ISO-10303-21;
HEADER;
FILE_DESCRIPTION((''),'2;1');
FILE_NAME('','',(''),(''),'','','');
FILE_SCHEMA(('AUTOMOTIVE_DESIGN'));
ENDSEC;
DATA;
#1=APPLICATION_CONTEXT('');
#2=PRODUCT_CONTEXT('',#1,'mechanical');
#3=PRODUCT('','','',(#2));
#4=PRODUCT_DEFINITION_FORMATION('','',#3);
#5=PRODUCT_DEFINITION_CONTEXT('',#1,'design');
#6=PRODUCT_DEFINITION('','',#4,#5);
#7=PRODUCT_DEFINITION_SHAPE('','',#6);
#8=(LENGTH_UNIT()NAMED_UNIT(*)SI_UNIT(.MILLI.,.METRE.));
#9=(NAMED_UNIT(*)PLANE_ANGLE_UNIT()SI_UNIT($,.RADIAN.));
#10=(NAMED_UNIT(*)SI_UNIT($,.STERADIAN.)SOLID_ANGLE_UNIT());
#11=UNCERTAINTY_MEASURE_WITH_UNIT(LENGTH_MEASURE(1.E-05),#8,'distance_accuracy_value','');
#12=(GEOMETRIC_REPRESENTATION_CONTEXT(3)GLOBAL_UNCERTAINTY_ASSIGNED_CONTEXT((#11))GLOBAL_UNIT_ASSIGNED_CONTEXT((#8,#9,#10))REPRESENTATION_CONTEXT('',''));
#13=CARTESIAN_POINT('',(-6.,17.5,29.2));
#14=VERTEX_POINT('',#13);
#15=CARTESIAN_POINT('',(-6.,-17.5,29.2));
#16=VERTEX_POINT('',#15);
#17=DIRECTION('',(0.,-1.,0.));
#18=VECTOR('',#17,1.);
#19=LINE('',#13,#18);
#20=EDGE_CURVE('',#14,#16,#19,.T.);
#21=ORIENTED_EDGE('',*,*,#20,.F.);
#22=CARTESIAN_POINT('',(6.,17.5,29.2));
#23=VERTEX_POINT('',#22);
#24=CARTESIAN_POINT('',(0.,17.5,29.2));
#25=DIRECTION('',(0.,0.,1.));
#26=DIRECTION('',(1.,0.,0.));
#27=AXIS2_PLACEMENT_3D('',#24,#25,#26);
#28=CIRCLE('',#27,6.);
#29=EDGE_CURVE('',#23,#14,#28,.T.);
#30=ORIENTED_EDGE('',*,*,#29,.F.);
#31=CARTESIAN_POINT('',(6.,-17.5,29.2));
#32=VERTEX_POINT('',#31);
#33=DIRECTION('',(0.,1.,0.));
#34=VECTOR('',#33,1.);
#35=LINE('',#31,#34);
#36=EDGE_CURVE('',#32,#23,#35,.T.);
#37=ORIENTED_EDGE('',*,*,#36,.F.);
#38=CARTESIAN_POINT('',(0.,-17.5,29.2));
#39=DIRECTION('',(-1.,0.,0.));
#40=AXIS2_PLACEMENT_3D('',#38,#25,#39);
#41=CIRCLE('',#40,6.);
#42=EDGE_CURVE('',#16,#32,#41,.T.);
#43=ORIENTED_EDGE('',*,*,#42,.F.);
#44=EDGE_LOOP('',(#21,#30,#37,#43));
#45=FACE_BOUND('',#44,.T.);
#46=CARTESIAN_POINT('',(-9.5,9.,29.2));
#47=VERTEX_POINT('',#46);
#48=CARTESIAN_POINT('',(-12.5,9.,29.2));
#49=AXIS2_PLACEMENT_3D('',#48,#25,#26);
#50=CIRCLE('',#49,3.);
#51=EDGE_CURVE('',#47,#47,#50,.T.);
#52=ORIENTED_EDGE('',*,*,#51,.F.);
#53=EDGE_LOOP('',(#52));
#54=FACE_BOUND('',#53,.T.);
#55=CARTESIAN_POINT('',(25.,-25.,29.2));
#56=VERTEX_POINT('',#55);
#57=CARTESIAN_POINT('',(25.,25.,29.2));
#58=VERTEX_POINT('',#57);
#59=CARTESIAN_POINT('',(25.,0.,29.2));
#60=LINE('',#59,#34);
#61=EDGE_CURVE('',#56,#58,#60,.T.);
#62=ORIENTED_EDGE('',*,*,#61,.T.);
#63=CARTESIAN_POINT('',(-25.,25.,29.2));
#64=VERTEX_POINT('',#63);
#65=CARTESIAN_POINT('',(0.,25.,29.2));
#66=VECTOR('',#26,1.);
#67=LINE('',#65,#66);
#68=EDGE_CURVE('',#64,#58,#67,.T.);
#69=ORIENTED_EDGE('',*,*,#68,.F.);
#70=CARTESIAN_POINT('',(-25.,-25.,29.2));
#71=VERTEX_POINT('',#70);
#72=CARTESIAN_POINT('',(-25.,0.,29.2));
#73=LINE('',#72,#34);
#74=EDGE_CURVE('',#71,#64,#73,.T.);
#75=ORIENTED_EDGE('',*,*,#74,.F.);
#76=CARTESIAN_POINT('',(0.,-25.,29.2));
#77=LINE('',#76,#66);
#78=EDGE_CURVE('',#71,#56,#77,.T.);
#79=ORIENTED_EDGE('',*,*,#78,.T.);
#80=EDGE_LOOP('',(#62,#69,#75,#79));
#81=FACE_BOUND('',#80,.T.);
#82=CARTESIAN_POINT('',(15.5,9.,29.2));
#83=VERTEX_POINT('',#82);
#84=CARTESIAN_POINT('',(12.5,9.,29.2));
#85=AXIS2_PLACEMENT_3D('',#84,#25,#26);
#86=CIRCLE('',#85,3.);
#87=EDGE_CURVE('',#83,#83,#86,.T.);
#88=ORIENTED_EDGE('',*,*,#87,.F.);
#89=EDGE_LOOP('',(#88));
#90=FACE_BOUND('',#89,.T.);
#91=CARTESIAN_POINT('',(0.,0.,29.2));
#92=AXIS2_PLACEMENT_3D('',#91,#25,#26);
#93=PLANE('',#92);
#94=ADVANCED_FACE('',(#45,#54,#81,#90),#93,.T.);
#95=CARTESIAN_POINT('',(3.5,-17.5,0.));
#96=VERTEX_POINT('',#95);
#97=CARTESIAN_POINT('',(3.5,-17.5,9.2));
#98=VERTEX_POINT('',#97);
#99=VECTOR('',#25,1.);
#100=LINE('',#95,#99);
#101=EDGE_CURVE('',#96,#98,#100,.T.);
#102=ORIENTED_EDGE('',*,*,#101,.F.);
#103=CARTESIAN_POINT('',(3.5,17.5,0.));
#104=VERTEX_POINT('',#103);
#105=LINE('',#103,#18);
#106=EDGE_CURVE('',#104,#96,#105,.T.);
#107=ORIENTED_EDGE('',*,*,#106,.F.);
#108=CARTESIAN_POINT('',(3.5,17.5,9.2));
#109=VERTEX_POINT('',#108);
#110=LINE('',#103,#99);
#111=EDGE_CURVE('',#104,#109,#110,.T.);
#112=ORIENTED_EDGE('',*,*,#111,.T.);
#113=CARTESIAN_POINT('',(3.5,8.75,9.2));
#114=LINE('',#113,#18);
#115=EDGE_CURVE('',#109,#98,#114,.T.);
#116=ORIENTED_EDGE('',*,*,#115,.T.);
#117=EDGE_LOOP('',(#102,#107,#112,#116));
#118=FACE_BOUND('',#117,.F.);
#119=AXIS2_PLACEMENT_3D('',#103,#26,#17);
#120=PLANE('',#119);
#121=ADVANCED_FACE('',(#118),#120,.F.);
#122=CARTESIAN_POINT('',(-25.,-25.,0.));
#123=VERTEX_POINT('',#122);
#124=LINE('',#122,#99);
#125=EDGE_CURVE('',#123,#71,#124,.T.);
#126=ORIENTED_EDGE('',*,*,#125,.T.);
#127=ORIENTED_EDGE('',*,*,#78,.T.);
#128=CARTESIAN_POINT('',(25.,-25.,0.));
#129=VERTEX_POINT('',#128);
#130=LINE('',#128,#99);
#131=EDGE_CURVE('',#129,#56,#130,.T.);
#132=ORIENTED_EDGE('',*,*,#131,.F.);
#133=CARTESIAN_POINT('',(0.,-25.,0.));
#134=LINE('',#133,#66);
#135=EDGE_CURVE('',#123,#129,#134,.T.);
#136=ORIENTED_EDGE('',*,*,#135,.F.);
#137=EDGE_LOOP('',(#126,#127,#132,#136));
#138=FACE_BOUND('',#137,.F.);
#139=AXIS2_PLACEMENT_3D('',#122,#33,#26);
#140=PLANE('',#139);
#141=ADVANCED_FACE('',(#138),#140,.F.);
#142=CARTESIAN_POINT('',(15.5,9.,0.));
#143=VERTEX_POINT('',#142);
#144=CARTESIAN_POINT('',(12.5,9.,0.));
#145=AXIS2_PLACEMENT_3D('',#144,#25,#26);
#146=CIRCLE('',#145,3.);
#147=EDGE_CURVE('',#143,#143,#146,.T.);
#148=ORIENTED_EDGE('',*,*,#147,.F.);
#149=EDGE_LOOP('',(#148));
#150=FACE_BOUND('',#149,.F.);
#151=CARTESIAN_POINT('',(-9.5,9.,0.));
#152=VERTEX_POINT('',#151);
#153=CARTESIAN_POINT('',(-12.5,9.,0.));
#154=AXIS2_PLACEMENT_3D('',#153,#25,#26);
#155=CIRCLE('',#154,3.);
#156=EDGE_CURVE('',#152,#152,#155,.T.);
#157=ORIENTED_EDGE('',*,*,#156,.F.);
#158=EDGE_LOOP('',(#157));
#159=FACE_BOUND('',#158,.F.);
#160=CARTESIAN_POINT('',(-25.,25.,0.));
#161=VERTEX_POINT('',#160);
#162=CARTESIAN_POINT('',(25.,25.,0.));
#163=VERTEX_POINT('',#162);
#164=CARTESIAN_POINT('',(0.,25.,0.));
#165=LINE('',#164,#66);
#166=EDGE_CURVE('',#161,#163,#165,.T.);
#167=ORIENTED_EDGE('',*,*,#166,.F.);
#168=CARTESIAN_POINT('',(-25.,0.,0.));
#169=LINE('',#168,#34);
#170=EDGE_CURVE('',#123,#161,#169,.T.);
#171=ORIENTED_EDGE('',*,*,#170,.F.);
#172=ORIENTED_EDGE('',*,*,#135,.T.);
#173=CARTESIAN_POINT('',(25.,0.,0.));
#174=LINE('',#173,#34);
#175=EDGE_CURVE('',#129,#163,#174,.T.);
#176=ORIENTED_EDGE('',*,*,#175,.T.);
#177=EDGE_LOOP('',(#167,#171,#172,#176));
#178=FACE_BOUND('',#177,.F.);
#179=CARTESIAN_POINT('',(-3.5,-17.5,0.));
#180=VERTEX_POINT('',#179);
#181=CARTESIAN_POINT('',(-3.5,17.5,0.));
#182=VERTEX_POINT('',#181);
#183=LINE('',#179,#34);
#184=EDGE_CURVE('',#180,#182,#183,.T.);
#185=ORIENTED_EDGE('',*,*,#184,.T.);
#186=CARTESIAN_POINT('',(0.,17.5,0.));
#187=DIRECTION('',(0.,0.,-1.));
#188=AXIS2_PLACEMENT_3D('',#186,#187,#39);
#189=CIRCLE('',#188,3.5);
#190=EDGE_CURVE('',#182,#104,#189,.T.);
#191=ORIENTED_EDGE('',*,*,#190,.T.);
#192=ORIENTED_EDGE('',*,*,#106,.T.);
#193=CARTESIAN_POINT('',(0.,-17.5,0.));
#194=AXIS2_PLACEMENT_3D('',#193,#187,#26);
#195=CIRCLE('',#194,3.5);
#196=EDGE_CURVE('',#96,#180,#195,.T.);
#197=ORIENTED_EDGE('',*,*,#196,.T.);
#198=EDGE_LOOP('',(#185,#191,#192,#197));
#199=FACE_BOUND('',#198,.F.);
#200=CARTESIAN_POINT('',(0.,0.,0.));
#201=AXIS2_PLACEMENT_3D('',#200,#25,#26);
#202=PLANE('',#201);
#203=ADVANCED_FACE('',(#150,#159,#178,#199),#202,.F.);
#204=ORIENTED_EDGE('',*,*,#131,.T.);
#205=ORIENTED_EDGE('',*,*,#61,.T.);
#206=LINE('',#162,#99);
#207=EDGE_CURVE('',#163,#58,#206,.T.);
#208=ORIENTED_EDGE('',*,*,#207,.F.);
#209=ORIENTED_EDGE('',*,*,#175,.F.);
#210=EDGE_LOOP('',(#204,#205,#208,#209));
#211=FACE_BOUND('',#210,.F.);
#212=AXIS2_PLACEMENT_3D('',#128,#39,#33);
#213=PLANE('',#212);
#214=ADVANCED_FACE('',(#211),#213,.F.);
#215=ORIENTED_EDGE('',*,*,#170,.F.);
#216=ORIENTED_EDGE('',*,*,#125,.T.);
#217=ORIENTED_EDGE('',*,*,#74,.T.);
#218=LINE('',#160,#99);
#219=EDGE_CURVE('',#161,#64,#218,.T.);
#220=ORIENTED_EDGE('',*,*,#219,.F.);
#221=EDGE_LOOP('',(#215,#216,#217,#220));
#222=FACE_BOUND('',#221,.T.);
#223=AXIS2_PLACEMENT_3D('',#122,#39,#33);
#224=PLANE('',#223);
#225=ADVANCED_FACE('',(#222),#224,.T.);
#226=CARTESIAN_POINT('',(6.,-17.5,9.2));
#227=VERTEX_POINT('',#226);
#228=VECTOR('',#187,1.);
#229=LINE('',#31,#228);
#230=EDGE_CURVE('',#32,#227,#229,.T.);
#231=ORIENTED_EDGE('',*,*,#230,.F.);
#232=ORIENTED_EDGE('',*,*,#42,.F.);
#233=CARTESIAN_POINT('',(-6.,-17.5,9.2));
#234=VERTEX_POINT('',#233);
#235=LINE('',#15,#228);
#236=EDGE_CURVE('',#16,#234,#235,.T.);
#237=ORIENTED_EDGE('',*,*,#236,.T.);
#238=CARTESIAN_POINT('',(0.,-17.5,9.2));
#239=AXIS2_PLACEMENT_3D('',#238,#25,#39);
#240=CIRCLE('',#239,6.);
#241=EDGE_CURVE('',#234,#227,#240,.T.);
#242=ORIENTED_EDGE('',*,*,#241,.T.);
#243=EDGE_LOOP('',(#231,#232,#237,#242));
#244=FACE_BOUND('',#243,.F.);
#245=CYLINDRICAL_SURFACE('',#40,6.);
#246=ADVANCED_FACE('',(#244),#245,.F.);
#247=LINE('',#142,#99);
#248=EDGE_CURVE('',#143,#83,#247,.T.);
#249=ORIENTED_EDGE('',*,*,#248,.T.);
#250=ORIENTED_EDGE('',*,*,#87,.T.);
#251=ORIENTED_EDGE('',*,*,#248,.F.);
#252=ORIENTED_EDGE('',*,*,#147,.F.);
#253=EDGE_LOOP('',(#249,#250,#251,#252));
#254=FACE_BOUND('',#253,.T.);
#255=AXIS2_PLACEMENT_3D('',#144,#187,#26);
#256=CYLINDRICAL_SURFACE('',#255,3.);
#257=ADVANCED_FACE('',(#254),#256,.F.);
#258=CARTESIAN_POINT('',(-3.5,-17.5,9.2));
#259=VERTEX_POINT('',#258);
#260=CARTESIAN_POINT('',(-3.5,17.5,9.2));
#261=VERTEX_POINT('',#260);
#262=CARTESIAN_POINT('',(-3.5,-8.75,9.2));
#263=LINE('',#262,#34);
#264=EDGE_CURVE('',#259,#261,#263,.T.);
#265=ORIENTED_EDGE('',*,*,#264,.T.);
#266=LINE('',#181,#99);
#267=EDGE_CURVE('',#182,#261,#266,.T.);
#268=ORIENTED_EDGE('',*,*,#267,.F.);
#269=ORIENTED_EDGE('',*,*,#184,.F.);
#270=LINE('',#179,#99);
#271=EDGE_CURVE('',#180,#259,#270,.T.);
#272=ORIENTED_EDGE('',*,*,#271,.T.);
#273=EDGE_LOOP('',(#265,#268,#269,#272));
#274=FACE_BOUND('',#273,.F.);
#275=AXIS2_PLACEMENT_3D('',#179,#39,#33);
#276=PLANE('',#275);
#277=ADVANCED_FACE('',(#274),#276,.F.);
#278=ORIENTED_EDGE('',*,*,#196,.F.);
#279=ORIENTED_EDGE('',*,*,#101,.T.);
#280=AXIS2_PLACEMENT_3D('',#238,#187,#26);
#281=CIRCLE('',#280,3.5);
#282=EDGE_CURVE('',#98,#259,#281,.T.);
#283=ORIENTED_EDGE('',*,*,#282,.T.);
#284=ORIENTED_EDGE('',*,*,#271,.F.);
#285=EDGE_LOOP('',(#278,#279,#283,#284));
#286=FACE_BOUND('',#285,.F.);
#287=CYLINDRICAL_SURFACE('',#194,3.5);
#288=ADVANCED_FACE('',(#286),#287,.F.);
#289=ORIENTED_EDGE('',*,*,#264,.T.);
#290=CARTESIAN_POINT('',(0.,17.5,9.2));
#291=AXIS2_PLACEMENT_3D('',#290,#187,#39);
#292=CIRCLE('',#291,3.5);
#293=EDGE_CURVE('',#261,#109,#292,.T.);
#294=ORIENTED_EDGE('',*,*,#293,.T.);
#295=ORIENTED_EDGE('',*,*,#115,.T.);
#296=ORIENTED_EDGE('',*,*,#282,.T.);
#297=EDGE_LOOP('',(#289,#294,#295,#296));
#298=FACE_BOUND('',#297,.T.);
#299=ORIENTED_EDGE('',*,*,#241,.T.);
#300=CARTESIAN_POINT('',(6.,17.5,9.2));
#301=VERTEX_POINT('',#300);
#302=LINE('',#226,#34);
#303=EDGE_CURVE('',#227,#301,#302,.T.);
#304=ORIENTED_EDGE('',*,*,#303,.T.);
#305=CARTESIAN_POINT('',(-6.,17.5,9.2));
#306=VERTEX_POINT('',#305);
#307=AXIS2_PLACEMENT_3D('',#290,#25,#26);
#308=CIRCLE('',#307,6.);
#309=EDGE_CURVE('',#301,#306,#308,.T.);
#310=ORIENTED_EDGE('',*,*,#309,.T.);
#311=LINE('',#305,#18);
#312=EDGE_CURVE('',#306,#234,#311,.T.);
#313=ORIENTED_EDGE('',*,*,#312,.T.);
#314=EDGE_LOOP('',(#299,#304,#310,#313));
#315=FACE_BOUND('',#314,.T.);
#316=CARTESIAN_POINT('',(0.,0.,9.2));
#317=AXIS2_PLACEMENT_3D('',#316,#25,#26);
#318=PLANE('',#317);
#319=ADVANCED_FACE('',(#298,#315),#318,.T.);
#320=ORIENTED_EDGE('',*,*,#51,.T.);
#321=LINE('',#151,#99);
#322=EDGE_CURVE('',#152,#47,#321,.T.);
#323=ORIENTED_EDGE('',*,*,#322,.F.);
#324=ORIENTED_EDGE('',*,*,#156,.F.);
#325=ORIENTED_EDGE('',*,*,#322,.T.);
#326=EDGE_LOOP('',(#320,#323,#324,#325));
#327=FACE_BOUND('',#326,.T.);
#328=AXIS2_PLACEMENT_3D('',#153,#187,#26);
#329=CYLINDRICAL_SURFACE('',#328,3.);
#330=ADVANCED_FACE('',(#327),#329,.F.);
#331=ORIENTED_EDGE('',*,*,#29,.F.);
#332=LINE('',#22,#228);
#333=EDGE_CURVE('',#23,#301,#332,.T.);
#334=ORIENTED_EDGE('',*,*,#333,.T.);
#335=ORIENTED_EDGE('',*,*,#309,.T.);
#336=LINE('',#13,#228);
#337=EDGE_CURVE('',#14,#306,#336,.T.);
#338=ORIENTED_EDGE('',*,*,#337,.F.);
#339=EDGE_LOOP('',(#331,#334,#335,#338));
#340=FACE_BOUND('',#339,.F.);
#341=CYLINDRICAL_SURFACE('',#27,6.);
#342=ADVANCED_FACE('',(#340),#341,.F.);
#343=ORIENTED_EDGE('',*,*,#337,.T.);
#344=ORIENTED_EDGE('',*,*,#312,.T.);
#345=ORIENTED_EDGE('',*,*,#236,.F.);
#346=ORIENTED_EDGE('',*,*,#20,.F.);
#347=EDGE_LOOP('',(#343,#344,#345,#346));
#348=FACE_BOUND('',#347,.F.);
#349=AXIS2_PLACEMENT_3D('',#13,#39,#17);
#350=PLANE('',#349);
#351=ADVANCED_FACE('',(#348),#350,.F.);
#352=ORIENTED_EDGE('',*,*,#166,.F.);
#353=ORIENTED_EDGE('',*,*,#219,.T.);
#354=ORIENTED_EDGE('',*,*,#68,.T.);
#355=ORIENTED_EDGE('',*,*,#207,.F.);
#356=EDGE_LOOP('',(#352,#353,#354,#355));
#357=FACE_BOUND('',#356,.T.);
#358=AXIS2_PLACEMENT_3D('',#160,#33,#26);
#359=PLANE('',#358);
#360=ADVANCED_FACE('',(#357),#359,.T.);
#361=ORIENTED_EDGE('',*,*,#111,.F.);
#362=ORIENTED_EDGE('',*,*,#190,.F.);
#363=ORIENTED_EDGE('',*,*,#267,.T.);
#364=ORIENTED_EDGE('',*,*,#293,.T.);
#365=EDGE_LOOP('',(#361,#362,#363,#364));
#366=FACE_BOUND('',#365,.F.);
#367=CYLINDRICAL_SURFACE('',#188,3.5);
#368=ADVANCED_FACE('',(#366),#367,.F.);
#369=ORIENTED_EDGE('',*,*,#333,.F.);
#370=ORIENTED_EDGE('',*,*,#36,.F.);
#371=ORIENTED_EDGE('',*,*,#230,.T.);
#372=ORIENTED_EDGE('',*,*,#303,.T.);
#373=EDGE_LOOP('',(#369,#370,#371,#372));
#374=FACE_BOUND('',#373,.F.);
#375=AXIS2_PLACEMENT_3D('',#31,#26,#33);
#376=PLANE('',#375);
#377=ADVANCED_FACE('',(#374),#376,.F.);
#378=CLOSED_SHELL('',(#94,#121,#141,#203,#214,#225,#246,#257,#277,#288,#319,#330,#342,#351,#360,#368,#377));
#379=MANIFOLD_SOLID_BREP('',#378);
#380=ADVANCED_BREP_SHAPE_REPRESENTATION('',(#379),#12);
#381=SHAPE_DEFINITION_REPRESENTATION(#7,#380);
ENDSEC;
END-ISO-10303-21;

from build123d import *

# Parameters (mm, degrees)
F0_W     = 50
F0_H     = 50
F0_R     = 3
F1_DEPTH = 29.2
F3_DEPTH = 20


with BuildPart() as f1:
    # F0 (on Top) → F1 (new body)
    with BuildSketch(Plane.XY):
        Rectangle(F0_W, F0_H)
        with Locations((-12.5, 9)):
            Circle(F0_R, mode=Mode.SUBTRACT)
        with BuildLine():
            ThreePointArc((-3.5, 17.5), (0, 21), (3.5, 17.5))
            Line((3.5, 17.5), (3.5, -17.5))
            ThreePointArc((3.5, -17.5), (0, -21), (-3.5, -17.5))
            Line((-3.5, -17.5), (-3.5, 17.5))
        make_face(mode=Mode.SUBTRACT)
        with Locations((12.5, 9)):
            Circle(F0_R, mode=Mode.SUBTRACT)
    extrude(amount=F1_DEPTH)

    # F2 (on face) → F3 (cut)
    with BuildSketch(Plane.XY.offset(29.2)):
        with BuildLine():
            Line((6, -17.5), (6, 17.5))
            ThreePointArc((6, 17.5), (0, 23.5), (-6, 17.5))
            Line((-6, 17.5), (-6, -17.5))
            ThreePointArc((-6, -17.5), (0, -23.5), (6, -17.5))
        make_face()
    extrude(amount=-F3_DEPTH, mode=Mode.SUBTRACT)


solid = f1.part
